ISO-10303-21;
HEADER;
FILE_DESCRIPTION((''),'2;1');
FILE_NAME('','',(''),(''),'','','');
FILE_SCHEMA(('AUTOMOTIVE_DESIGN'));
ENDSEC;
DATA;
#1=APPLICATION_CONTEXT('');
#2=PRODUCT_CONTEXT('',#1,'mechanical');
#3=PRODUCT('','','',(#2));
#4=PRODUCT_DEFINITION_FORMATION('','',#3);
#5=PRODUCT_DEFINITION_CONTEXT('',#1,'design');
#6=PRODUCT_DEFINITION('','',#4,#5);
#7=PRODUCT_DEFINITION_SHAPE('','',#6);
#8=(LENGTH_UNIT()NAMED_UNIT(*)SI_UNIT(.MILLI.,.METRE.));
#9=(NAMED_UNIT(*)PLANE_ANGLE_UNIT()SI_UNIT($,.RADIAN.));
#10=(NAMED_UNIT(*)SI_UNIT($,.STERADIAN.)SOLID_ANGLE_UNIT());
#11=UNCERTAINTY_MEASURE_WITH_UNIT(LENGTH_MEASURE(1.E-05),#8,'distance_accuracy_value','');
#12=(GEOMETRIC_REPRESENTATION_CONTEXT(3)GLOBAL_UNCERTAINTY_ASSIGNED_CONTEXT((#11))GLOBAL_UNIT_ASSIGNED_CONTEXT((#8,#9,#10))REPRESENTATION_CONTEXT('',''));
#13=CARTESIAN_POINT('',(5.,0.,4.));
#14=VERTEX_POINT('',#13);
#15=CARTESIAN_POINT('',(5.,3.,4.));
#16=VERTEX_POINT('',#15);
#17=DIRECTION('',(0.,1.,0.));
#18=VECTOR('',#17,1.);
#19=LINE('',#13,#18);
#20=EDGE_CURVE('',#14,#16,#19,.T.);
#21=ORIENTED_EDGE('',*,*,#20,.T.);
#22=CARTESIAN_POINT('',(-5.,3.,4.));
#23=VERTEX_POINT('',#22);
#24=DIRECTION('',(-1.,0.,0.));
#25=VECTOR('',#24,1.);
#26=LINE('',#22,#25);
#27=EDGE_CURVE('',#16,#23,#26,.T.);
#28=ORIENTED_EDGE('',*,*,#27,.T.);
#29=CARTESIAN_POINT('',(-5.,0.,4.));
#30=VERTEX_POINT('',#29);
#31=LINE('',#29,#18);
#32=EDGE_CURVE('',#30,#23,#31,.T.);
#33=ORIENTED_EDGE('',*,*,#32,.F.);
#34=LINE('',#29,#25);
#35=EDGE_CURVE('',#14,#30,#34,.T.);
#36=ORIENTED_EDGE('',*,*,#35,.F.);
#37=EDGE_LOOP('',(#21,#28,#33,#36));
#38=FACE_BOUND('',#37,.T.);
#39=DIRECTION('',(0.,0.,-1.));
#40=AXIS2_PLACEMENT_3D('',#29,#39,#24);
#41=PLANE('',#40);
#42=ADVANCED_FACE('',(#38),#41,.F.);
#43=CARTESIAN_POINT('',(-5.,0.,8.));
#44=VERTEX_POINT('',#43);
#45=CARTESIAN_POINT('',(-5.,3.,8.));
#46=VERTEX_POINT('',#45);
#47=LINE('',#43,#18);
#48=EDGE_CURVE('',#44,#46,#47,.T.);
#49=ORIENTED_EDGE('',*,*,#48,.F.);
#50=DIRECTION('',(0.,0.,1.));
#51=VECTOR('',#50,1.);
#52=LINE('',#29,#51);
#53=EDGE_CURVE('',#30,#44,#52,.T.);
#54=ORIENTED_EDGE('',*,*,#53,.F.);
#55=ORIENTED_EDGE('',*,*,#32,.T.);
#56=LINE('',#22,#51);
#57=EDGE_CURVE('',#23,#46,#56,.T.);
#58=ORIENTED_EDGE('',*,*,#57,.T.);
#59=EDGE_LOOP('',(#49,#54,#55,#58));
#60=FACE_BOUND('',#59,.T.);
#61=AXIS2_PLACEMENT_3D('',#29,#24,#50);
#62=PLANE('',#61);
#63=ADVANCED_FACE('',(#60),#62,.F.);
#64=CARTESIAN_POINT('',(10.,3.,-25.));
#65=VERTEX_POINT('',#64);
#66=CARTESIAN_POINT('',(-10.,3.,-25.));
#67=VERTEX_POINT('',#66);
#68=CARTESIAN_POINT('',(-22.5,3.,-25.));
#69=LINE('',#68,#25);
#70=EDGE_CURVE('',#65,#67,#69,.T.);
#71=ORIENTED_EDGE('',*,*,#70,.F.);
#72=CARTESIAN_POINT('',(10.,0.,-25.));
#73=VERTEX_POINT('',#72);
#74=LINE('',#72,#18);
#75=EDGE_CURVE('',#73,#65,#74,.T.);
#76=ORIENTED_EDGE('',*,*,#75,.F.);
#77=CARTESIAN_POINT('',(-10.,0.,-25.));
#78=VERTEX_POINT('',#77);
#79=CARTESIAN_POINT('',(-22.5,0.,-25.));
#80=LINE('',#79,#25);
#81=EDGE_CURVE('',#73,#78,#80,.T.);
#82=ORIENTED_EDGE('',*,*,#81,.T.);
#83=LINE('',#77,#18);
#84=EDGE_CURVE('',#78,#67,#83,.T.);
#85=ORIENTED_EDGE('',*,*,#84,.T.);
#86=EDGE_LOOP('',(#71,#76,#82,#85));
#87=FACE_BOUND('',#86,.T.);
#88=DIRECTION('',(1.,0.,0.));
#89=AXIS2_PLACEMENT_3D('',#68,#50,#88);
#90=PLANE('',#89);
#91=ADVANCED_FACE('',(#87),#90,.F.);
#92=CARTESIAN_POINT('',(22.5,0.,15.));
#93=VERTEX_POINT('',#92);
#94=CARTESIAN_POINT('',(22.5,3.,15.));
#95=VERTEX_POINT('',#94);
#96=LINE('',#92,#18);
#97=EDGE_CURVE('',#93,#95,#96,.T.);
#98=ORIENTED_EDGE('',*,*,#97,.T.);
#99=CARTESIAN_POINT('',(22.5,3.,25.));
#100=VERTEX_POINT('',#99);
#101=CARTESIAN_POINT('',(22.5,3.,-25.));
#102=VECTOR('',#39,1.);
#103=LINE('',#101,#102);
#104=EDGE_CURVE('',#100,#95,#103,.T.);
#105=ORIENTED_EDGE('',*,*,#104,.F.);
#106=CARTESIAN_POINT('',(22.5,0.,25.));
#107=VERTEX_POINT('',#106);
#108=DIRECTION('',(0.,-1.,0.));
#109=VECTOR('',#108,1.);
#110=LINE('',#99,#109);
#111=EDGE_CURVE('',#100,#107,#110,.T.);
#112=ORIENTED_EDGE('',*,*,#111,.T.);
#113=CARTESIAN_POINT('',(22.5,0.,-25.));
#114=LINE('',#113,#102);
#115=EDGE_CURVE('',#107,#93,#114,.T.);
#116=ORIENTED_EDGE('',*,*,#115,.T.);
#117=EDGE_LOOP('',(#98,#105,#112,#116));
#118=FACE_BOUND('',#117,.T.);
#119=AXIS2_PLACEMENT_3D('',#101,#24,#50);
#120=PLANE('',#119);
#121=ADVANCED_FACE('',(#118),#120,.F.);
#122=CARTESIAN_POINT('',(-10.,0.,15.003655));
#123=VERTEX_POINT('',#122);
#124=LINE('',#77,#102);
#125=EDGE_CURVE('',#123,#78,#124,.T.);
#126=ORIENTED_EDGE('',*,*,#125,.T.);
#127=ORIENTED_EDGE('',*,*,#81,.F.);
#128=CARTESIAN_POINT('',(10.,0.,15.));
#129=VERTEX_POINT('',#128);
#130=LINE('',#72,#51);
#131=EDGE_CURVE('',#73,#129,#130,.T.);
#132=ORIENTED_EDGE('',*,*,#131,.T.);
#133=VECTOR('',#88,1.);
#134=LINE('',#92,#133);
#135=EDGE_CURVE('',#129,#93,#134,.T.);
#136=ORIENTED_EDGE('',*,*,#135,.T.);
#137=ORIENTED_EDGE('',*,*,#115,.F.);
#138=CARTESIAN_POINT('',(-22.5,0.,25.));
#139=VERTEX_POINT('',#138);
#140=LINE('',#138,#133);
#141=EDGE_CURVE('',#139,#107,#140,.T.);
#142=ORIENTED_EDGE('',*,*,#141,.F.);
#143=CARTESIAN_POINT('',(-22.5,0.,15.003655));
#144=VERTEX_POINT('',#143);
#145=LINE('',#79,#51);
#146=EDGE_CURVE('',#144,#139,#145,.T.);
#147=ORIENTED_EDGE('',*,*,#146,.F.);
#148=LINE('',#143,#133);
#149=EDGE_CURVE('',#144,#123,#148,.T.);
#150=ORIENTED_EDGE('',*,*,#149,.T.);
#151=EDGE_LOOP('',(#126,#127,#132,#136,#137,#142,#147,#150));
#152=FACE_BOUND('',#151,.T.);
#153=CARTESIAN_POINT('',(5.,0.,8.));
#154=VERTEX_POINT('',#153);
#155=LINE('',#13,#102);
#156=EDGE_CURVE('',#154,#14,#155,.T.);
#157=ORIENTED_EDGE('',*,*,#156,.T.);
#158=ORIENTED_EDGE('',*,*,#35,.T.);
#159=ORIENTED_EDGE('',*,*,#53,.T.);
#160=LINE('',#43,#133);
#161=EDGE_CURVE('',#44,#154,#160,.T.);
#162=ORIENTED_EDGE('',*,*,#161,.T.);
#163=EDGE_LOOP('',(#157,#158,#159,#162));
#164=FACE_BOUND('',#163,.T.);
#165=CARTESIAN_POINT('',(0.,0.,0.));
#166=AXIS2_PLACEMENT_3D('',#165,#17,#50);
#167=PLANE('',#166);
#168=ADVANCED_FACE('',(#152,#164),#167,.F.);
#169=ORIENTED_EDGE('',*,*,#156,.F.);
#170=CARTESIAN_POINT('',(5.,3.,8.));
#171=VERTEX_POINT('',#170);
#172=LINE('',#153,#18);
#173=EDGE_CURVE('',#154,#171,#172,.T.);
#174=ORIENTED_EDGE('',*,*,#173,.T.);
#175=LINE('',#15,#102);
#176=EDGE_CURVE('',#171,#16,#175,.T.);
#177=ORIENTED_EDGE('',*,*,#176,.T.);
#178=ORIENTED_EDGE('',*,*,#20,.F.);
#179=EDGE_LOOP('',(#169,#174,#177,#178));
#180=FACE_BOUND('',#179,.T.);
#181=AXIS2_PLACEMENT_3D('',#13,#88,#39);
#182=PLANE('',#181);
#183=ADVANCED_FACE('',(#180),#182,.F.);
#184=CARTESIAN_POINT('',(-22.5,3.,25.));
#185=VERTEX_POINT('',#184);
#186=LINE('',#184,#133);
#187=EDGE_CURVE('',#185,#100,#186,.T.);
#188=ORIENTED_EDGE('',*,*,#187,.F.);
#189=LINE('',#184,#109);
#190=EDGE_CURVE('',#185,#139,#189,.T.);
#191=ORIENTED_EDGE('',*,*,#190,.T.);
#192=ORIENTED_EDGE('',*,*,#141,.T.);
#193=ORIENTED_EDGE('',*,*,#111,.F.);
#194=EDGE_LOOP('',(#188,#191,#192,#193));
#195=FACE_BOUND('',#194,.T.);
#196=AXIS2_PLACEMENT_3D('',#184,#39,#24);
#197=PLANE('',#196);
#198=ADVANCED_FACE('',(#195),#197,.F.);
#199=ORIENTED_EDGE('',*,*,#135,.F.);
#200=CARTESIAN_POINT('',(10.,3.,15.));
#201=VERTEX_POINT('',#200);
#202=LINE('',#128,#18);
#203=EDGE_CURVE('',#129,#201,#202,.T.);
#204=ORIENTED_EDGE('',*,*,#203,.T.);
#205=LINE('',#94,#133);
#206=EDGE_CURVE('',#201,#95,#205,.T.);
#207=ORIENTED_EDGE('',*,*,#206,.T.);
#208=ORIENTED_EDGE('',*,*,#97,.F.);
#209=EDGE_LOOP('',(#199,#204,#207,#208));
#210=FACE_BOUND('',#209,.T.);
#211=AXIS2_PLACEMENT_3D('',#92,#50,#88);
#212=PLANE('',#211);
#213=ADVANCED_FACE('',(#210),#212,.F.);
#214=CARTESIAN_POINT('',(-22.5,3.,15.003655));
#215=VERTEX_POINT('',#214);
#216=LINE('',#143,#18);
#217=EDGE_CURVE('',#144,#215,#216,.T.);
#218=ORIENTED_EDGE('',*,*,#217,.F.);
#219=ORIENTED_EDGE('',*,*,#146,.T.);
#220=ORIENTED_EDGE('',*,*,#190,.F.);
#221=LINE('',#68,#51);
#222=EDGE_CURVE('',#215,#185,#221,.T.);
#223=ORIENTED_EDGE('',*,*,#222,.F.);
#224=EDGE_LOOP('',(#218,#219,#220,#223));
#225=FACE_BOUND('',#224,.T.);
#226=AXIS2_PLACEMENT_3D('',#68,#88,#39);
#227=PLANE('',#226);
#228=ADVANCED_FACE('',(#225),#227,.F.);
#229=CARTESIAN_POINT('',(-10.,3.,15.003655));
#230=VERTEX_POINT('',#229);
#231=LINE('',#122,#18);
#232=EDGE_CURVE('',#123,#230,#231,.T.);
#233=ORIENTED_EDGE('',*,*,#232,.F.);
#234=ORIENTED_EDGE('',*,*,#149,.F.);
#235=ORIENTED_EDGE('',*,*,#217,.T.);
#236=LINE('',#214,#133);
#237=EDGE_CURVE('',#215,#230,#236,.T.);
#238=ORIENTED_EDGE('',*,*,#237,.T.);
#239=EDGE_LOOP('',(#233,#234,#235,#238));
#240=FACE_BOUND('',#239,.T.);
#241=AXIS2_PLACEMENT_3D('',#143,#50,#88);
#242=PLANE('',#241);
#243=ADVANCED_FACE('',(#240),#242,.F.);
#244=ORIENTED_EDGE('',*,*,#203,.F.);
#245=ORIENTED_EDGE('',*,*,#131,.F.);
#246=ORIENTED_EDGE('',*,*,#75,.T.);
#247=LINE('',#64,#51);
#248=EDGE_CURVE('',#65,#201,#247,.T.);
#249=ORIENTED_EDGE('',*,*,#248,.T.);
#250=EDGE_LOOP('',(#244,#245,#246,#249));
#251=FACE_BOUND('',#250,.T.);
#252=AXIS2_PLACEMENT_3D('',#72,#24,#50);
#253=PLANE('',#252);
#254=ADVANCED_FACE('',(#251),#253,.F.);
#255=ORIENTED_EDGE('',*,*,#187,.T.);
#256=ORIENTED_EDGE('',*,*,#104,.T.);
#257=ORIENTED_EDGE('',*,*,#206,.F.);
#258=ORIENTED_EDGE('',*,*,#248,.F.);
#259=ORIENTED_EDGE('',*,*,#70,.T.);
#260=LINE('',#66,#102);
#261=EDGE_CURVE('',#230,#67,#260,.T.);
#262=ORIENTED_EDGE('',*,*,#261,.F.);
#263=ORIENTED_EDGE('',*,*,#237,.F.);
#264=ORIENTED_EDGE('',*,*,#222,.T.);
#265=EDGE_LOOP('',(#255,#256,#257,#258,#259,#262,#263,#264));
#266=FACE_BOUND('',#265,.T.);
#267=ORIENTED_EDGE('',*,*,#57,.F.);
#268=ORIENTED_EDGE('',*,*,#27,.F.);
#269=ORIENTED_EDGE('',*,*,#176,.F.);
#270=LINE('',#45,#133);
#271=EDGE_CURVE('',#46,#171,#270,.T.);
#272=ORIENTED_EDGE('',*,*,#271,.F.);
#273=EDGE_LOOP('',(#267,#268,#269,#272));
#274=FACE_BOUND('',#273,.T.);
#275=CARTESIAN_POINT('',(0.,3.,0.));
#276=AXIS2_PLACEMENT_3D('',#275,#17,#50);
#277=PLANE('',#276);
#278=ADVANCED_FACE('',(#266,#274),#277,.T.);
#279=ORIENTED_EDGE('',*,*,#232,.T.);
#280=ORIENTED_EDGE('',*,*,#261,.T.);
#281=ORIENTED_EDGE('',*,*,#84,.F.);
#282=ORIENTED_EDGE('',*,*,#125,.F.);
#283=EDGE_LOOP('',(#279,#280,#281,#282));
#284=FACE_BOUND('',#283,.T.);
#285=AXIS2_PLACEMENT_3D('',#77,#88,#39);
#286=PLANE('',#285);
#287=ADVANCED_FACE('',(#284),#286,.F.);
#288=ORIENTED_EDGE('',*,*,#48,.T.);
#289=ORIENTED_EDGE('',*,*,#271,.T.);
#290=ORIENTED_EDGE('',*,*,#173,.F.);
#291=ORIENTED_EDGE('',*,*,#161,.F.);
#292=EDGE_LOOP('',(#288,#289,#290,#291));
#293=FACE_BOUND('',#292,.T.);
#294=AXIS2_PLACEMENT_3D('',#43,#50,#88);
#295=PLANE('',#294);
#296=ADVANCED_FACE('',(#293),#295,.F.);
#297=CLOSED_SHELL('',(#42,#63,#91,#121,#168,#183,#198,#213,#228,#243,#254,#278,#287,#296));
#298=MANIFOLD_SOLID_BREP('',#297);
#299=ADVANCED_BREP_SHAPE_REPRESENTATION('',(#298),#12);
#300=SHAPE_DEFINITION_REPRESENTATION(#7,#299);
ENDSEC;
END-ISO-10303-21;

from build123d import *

# Parameters (mm, degrees)
SKETCH1_W           = 45
SKETCH1_H           = 50
BOSS_EXTRUDE1_DEPTH = 3
SKETCH4_W           = 12.5
SKETCH4_H           = 40.003655499
SKETCH4_H_2         = 40
SKETCH4_W_2         = 10
SKETCH4_H_3         = 4
CUT_EXTRUDE1_DEPTH  = 3


with BuildPart() as part:
    # Sketch1 → Boss-Extrude1 (new body)
    with BuildSketch(Plane(origin=(0, 0, 0), x_dir=(1, 0, 0), z_dir=(0, 1, 0))):
        Rectangle(SKETCH1_W, SKETCH1_H)
    extrude(amount=BOSS_EXTRUDE1_DEPTH)

    # Sketch4 → Cut-Extrude1 (cut)
    with BuildSketch(Plane(origin=(0, 3, 0), x_dir=(1, 0, 0), z_dir=(0, 1, 0))):
        with Locations((-16.25, 4.99817225)):
            Rectangle(SKETCH4_W, SKETCH4_H)
        with Locations((16.25, 5)):
            Rectangle(SKETCH4_W, SKETCH4_H_2)
        with Locations((0, -6)):
            Rectangle(SKETCH4_W_2, SKETCH4_H_3)
    extrude(amount=-CUT_EXTRUDE1_DEPTH, mode=Mode.SUBTRACT)


solid = part.part
